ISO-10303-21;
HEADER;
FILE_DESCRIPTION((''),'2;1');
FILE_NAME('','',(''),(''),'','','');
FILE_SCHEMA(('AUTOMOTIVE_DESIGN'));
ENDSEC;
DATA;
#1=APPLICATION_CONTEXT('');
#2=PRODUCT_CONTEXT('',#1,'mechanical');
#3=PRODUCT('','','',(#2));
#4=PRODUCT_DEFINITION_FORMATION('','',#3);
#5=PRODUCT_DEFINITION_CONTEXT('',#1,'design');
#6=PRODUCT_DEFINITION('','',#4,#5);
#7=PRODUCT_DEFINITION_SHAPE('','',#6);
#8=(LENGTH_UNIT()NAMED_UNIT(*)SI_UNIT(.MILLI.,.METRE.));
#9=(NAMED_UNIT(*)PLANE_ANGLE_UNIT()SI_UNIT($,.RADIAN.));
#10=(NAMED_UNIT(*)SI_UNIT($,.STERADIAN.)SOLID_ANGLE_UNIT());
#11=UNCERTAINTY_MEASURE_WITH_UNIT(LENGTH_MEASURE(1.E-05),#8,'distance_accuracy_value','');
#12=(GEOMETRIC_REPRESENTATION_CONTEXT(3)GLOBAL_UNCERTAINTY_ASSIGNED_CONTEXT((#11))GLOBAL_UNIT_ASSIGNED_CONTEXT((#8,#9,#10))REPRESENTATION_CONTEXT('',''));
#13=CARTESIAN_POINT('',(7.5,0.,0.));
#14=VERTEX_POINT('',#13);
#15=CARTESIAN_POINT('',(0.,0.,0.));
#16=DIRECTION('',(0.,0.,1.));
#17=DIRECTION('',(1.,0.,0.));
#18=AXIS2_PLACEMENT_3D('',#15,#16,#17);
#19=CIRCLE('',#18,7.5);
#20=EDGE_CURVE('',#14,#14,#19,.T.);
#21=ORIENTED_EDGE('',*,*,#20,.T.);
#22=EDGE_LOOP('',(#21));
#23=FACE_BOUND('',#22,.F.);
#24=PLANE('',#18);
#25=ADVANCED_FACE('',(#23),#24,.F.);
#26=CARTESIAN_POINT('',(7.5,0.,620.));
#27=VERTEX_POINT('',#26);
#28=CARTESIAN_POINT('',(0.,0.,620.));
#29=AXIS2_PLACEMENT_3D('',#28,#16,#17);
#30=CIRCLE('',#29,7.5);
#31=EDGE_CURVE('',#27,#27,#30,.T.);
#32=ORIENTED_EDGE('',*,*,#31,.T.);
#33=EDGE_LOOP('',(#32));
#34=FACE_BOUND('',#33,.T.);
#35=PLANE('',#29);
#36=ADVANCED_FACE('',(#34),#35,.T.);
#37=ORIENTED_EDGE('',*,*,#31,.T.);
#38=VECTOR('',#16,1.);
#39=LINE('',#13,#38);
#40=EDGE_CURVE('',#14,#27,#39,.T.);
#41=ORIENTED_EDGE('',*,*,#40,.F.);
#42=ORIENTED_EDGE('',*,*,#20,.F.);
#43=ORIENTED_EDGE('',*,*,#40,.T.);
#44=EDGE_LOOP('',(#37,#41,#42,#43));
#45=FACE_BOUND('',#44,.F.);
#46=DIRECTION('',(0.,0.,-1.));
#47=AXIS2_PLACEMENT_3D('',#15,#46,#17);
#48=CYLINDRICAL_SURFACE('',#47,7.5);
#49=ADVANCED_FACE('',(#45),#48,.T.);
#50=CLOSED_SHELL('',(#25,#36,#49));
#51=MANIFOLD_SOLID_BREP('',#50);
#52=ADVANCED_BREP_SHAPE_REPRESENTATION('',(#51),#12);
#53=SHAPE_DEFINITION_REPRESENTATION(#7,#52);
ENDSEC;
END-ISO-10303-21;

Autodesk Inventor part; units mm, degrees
ref_plane "YZ Plane" through (0, 0, 0) normal (1, 0, 0) x (0, 1, 0)
ref_plane "XZ Plane" through (0, 0, 0) normal (0, 1, 0) x (-1, 0, 0)
ref_plane "XY Plane" through (0, 0, 0) normal (0, 0, 1) x (1, 0, 0)
sketch "Sketch1" plane through (0, 0, 0) normal (0, 0, 1) x (1, 0, 0)
  circle A0 centre (0, 0) radius 7.5
  dimension "d0" = 15
extrude "Extrusion1" add sketch "Sketch1" along normal blind 620
properties part number "X_Führungsstange"
